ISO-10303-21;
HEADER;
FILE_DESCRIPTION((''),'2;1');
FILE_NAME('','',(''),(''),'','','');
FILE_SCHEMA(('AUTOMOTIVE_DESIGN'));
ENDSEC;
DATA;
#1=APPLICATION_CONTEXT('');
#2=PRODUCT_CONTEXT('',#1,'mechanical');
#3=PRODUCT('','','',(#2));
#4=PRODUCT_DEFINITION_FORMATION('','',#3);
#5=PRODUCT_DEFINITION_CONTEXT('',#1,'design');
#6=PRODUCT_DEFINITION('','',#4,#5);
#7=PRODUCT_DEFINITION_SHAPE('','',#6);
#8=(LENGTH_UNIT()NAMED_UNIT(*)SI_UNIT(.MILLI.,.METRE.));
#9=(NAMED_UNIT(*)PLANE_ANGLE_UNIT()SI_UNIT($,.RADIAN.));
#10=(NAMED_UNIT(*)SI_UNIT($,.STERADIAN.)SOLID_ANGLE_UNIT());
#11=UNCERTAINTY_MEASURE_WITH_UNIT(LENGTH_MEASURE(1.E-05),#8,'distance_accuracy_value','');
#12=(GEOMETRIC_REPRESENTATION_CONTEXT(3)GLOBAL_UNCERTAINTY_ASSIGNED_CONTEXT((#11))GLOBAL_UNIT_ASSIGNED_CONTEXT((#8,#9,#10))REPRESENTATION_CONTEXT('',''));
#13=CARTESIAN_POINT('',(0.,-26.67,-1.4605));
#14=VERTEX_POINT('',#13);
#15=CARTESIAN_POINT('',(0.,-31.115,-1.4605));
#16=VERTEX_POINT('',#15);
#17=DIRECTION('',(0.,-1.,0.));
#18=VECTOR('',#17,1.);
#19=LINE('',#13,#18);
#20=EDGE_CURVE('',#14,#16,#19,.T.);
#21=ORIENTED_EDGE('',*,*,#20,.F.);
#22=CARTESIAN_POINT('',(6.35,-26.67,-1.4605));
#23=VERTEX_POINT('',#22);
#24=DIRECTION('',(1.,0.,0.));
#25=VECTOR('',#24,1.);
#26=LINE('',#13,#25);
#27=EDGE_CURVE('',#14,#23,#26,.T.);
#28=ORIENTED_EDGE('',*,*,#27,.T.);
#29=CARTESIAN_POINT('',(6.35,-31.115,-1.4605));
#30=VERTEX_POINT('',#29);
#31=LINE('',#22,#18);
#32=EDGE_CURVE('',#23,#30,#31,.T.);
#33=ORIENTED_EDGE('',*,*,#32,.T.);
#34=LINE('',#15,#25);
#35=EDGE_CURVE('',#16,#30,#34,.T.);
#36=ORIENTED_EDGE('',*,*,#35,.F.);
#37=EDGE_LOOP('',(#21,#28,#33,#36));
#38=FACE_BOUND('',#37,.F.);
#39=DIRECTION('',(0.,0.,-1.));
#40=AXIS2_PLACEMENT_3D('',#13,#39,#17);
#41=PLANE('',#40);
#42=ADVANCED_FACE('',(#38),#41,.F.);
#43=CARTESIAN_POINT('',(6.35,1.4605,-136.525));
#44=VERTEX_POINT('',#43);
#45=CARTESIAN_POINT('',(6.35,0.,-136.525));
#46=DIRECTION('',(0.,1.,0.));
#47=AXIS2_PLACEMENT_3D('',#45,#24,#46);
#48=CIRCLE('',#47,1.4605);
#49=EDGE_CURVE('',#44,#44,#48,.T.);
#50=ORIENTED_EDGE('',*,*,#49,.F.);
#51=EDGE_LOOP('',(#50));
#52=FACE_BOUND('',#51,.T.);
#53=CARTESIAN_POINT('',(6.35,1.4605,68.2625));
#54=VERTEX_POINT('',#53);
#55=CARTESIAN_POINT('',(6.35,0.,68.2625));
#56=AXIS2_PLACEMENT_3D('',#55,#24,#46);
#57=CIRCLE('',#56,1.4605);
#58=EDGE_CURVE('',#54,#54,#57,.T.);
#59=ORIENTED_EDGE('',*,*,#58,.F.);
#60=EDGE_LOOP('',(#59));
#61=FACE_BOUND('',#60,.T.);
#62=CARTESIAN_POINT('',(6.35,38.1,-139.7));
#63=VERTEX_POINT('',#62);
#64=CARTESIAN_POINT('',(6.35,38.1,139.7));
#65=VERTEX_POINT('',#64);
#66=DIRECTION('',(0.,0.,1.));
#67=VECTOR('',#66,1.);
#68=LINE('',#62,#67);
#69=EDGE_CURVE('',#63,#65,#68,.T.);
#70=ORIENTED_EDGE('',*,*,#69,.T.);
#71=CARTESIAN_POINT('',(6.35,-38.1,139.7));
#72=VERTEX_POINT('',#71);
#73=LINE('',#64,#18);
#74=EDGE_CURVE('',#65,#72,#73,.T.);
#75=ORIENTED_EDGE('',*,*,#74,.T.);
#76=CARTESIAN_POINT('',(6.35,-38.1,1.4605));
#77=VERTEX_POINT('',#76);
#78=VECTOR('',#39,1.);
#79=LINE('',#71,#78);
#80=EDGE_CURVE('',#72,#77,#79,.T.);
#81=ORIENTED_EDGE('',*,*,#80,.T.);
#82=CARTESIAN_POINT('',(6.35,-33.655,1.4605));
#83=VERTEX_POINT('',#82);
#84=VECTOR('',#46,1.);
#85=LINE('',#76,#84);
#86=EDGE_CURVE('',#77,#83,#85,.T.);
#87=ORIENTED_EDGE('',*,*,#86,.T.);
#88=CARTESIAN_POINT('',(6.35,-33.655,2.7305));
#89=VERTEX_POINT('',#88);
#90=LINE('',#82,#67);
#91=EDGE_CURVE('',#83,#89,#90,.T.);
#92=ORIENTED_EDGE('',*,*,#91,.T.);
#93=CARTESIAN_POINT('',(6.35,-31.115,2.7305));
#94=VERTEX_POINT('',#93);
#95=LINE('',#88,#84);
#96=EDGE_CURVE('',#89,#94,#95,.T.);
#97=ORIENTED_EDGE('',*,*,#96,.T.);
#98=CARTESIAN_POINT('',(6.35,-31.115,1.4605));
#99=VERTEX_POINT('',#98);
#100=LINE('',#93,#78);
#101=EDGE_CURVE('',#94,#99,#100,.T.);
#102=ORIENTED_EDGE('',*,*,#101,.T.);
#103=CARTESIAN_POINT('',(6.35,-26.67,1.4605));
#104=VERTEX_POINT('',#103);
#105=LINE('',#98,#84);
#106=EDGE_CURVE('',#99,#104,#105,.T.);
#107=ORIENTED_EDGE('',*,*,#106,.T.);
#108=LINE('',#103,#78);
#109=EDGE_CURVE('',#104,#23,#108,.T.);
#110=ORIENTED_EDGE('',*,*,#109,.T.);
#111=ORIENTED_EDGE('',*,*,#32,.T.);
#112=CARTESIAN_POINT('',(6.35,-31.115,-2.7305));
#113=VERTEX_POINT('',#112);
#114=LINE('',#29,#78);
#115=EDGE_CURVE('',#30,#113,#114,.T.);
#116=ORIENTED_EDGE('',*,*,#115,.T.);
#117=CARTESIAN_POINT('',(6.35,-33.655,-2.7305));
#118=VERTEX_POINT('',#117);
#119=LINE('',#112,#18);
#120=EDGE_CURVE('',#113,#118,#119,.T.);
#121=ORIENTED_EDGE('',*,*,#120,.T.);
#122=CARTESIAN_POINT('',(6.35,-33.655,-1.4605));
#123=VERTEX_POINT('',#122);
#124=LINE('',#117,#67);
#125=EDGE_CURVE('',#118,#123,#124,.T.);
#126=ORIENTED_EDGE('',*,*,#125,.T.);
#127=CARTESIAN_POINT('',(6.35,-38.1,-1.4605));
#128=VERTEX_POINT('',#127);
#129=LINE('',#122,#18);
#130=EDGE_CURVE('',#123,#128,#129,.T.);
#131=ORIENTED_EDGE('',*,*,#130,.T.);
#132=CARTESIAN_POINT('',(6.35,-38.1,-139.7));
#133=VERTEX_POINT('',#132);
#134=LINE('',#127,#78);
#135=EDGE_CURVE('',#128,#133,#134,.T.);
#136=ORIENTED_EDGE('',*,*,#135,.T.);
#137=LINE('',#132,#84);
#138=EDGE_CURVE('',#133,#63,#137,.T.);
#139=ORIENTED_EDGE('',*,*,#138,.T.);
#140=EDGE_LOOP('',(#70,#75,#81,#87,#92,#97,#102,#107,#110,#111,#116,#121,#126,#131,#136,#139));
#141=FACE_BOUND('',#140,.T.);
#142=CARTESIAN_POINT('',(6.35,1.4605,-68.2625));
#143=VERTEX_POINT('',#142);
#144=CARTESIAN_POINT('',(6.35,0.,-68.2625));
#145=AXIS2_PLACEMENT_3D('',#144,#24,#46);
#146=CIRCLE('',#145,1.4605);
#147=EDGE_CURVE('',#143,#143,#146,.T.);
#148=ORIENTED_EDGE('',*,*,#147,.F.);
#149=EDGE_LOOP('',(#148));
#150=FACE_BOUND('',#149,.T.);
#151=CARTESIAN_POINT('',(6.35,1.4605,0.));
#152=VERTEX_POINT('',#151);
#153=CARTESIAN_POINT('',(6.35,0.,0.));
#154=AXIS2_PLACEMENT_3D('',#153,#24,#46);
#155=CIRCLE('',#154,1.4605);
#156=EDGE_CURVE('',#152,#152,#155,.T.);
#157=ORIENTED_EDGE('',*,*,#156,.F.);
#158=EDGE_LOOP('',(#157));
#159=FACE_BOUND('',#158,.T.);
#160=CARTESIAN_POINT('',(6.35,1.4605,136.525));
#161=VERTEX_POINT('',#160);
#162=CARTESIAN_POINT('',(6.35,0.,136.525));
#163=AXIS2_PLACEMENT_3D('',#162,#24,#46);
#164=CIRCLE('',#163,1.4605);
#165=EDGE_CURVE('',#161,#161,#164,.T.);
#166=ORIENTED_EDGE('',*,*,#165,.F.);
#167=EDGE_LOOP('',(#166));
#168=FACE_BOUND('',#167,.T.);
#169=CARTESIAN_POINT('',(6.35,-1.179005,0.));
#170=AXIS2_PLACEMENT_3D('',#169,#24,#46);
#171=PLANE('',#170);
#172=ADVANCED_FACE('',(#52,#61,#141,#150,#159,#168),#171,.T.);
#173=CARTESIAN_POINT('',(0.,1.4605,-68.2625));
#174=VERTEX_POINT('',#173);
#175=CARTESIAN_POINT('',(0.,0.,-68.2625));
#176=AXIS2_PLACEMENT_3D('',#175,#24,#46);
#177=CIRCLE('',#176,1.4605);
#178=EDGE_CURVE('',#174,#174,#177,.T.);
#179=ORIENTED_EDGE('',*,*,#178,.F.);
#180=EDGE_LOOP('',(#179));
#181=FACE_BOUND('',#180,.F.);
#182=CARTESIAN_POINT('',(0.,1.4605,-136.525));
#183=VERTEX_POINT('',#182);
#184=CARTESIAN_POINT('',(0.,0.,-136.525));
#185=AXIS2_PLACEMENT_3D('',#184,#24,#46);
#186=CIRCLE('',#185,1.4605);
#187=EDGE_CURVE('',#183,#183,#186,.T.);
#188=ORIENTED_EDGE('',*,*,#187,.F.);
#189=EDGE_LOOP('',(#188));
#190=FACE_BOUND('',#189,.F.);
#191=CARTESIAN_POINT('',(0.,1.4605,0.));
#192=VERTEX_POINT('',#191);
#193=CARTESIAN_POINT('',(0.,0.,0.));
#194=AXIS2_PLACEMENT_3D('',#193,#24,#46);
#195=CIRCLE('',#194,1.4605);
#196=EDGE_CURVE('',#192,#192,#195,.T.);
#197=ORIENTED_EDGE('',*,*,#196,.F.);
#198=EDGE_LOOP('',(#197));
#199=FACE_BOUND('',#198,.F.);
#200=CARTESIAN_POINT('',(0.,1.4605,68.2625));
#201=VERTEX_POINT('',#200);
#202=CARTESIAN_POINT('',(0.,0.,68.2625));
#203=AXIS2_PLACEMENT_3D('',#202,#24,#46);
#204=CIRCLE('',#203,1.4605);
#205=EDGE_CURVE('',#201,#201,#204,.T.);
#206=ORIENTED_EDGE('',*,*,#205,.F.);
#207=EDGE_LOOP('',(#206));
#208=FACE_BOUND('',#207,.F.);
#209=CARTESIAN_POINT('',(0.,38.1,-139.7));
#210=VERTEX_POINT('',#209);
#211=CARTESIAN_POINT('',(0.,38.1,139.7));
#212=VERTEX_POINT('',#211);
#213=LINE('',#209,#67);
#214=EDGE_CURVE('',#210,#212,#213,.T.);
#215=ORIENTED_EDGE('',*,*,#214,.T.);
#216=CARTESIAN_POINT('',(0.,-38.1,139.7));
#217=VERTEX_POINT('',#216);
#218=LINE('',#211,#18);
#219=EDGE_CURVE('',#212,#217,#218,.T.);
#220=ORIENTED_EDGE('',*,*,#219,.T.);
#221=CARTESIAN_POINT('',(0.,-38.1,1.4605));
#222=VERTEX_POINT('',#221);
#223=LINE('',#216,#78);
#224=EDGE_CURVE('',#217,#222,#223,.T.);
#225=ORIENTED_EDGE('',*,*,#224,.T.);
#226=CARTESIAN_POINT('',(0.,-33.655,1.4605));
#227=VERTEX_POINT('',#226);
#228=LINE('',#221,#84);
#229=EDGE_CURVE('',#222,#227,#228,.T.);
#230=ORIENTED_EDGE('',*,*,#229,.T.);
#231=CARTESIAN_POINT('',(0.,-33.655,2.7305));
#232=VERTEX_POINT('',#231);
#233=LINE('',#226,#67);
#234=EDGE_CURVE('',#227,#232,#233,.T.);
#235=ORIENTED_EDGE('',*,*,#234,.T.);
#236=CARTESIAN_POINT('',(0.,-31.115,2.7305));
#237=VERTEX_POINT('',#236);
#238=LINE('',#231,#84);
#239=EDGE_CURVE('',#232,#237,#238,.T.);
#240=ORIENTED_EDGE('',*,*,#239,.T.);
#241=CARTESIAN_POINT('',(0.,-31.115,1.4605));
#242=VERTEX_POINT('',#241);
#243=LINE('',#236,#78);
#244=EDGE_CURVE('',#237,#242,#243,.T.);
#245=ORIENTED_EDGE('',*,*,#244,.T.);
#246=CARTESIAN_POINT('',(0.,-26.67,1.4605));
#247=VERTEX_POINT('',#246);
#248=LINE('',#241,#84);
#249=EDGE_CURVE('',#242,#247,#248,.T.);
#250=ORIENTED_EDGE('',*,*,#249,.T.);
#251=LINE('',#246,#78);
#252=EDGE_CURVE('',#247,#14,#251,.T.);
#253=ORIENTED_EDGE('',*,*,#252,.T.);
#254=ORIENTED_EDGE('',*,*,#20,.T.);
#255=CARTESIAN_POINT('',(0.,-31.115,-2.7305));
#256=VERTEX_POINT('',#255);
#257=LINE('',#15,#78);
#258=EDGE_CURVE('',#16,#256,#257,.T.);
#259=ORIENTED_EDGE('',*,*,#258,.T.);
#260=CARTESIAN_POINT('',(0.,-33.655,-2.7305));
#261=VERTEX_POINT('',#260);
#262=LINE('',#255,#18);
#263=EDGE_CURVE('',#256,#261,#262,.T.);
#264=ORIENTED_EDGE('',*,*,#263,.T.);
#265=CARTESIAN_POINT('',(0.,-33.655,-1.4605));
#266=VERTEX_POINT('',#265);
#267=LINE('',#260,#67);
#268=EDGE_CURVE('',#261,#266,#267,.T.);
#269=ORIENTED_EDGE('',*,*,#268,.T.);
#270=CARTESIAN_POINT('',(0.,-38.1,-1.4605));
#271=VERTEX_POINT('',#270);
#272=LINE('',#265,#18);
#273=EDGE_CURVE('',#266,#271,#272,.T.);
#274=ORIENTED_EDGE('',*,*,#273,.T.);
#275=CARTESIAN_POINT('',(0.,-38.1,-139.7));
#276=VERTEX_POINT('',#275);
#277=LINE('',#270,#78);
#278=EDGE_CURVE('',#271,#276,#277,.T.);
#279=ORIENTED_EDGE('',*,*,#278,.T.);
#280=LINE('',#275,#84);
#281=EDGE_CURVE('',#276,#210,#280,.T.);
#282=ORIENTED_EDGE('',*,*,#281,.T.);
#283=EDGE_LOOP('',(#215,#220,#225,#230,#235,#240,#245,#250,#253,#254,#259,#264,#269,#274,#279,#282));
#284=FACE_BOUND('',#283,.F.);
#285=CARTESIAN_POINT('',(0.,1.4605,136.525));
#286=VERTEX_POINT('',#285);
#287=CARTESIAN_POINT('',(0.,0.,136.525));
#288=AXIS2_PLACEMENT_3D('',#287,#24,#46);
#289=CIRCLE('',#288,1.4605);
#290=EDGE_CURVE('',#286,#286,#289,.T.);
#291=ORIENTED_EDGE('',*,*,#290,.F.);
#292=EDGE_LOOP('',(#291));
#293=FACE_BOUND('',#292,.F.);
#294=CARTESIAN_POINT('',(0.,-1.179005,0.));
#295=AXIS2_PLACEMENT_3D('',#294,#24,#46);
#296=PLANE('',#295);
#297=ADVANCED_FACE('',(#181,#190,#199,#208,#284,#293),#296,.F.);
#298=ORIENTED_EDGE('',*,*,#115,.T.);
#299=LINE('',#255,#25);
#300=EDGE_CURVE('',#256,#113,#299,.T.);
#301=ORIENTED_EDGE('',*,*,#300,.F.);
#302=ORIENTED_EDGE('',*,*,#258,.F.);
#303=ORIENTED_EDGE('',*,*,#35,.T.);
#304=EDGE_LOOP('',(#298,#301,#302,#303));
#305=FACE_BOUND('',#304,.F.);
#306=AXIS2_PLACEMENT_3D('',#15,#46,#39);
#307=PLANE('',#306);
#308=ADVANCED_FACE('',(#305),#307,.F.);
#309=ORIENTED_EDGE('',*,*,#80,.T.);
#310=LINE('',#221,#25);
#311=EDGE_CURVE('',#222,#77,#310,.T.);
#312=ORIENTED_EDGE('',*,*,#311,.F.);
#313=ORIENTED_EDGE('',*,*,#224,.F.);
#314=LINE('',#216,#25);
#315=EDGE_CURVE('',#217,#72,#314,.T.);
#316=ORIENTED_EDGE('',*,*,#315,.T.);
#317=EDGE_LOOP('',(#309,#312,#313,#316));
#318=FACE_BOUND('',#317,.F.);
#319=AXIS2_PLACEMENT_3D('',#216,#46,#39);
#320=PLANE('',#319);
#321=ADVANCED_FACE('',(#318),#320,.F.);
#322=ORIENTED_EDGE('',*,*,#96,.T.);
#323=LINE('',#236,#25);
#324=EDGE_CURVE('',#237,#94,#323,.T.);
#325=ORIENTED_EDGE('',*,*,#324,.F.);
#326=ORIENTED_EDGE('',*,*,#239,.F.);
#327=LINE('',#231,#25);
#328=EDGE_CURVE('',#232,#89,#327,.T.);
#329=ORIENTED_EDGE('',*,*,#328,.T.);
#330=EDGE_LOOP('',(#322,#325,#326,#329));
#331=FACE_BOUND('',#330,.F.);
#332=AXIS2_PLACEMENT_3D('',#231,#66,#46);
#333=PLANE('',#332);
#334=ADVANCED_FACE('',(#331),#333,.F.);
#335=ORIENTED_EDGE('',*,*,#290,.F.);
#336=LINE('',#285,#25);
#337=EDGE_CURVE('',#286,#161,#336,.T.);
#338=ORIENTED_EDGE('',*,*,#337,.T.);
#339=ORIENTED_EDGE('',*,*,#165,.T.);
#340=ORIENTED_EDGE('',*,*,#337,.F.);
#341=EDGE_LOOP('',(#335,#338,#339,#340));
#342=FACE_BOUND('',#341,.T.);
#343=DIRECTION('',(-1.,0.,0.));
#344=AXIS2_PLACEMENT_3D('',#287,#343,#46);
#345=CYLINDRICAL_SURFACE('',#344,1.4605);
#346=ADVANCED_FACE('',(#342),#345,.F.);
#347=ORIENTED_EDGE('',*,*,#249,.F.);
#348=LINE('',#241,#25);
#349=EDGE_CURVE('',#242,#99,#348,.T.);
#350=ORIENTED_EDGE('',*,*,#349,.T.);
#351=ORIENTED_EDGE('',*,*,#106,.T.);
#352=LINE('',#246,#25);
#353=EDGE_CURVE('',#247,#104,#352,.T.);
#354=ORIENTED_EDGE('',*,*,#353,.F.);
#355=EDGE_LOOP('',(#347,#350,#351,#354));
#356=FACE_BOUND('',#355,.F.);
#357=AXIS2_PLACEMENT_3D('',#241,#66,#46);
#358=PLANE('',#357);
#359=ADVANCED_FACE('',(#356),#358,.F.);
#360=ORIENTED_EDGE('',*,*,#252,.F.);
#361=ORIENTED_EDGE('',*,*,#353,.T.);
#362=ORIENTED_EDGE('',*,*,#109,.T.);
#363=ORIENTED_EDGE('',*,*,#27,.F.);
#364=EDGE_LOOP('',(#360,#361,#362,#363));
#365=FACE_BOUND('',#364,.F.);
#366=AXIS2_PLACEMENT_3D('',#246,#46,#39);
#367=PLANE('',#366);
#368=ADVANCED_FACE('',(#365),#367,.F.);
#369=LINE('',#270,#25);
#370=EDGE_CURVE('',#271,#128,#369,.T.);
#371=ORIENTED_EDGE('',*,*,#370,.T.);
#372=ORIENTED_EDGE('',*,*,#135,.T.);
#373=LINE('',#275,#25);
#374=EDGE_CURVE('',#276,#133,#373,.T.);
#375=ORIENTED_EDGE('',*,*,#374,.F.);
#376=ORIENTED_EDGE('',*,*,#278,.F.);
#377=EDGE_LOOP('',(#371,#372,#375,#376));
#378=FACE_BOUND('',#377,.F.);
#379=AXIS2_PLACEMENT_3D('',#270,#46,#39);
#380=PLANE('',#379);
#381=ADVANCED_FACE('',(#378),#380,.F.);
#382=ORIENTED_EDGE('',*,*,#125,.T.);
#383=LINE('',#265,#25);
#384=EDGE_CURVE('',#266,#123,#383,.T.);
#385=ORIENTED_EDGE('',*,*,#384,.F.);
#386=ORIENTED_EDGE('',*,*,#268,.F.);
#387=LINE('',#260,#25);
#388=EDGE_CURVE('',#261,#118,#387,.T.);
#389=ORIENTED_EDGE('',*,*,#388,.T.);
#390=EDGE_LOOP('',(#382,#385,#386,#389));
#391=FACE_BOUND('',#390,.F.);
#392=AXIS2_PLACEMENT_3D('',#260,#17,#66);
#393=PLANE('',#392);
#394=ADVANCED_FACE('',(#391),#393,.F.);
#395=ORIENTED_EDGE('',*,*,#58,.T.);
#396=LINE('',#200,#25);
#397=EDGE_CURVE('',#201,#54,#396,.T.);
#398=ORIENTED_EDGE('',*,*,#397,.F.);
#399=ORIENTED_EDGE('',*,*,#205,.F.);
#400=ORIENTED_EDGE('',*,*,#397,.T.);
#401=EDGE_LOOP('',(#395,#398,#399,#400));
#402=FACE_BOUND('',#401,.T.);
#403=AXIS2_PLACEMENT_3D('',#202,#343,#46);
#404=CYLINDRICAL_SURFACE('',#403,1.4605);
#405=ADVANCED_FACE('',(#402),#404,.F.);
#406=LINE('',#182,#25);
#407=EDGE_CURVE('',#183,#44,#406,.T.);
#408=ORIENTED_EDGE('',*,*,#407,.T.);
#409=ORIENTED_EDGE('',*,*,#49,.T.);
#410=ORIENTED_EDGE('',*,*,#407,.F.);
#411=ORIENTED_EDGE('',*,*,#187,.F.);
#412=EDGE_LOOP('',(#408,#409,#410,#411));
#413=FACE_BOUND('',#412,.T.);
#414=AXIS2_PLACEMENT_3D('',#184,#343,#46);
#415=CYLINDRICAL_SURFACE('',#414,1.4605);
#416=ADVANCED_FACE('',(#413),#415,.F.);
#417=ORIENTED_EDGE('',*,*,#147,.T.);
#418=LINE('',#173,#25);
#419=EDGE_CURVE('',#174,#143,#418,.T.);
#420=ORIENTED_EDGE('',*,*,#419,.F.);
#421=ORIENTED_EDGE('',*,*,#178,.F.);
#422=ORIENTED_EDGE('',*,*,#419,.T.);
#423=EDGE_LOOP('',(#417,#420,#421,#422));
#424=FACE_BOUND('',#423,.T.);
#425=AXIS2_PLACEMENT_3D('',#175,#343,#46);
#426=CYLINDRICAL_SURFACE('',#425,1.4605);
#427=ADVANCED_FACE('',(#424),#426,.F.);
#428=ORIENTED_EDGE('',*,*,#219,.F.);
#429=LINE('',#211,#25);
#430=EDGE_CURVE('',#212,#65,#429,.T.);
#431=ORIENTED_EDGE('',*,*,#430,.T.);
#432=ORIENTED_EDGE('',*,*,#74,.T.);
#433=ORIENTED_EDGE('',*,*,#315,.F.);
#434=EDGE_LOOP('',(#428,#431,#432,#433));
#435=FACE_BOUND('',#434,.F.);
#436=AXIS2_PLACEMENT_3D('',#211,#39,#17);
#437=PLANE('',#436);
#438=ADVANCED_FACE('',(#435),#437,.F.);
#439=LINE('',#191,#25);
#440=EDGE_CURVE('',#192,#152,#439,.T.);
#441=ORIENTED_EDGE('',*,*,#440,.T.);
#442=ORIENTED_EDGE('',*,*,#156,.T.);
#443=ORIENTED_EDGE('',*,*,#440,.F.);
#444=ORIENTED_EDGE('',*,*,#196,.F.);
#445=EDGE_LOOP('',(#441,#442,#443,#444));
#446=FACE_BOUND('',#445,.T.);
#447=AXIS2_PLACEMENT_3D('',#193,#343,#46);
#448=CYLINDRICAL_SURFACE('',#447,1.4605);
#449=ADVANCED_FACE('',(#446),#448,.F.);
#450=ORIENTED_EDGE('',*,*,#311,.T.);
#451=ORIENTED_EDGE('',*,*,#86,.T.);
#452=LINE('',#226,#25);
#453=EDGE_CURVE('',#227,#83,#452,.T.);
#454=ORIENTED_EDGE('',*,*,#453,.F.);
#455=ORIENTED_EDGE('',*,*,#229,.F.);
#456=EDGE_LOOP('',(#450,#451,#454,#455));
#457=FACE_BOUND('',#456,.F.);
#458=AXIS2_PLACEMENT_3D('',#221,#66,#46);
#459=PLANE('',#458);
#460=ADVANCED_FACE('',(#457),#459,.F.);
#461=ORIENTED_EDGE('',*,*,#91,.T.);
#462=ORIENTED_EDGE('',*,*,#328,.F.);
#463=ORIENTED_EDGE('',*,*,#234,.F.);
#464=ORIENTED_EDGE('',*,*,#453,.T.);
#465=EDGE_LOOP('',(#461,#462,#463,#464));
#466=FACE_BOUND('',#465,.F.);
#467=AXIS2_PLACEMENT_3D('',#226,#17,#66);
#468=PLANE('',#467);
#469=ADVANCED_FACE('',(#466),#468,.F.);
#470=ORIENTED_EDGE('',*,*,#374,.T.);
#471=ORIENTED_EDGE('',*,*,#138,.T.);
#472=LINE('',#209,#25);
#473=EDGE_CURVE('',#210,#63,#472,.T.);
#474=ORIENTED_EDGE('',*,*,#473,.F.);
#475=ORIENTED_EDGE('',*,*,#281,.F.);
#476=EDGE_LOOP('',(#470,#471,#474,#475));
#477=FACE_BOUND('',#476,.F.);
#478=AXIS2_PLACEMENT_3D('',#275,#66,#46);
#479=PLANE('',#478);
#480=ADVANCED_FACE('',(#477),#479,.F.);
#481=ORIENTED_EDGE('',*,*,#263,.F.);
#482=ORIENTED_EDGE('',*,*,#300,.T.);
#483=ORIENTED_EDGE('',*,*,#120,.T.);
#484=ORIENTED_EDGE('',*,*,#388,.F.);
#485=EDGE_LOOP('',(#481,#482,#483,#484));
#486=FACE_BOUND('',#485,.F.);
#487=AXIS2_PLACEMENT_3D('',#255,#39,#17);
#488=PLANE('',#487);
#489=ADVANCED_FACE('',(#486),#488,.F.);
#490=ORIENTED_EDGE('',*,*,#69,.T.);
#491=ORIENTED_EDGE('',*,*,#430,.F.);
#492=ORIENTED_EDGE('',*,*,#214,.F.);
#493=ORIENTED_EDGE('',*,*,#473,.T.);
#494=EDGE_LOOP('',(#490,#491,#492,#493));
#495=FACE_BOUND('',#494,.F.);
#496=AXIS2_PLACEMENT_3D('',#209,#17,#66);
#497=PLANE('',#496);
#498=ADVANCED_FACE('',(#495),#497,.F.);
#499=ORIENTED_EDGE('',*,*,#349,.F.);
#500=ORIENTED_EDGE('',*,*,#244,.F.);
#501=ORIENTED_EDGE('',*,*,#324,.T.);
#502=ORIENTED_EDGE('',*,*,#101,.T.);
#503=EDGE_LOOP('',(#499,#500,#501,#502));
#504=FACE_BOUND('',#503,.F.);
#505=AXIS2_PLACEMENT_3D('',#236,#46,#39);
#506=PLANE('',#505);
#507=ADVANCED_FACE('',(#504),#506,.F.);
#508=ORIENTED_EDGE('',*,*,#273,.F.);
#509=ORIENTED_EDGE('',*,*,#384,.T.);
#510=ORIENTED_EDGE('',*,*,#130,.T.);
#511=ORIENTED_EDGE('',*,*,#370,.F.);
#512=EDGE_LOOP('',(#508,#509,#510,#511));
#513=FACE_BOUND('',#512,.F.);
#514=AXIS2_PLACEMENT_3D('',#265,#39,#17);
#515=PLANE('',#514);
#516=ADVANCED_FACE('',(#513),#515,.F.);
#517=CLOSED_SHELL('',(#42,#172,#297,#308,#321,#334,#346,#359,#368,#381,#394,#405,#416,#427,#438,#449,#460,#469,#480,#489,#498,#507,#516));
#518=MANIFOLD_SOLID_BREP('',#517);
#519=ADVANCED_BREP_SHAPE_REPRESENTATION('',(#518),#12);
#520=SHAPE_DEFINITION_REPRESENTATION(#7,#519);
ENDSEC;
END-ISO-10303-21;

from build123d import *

# Parameters (mm, degrees)
F0_R     = 1.4605
F1_DEPTH = 6.35


with BuildPart() as f1:
    # F0 (on Right) → F1 (new body)
    with BuildSketch(Plane.YZ):
        Polygon((38.1, 139.7), (-38.1, 139.7), (-38.1, 1.4605), (-33.655, 1.4605), (-33.655, 2.7305), (-31.115, 2.7305), (-31.115, 1.4605), (-26.67, 1.4605), (-26.67, -1.4605), (-31.115, -1.4605), (-31.115, -2.7305), (-33.655, -2.7305), (-33.655, -1.4605), (-38.1, -1.4605), (-38.1, -139.7), (38.1, -139.7), align=None)
        with Locations((0, -136.525)):
            Circle(F0_R, mode=Mode.SUBTRACT)
        with Locations((0, -68.2625)):
            Circle(F0_R, mode=Mode.SUBTRACT)
        Circle(F0_R, mode=Mode.SUBTRACT)
        with Locations((0, 68.2625)):
            Circle(F0_R, mode=Mode.SUBTRACT)
        with Locations((0, 136.525)):
            Circle(F0_R, mode=Mode.SUBTRACT)
    extrude(amount=F1_DEPTH)


solid = f1.part
